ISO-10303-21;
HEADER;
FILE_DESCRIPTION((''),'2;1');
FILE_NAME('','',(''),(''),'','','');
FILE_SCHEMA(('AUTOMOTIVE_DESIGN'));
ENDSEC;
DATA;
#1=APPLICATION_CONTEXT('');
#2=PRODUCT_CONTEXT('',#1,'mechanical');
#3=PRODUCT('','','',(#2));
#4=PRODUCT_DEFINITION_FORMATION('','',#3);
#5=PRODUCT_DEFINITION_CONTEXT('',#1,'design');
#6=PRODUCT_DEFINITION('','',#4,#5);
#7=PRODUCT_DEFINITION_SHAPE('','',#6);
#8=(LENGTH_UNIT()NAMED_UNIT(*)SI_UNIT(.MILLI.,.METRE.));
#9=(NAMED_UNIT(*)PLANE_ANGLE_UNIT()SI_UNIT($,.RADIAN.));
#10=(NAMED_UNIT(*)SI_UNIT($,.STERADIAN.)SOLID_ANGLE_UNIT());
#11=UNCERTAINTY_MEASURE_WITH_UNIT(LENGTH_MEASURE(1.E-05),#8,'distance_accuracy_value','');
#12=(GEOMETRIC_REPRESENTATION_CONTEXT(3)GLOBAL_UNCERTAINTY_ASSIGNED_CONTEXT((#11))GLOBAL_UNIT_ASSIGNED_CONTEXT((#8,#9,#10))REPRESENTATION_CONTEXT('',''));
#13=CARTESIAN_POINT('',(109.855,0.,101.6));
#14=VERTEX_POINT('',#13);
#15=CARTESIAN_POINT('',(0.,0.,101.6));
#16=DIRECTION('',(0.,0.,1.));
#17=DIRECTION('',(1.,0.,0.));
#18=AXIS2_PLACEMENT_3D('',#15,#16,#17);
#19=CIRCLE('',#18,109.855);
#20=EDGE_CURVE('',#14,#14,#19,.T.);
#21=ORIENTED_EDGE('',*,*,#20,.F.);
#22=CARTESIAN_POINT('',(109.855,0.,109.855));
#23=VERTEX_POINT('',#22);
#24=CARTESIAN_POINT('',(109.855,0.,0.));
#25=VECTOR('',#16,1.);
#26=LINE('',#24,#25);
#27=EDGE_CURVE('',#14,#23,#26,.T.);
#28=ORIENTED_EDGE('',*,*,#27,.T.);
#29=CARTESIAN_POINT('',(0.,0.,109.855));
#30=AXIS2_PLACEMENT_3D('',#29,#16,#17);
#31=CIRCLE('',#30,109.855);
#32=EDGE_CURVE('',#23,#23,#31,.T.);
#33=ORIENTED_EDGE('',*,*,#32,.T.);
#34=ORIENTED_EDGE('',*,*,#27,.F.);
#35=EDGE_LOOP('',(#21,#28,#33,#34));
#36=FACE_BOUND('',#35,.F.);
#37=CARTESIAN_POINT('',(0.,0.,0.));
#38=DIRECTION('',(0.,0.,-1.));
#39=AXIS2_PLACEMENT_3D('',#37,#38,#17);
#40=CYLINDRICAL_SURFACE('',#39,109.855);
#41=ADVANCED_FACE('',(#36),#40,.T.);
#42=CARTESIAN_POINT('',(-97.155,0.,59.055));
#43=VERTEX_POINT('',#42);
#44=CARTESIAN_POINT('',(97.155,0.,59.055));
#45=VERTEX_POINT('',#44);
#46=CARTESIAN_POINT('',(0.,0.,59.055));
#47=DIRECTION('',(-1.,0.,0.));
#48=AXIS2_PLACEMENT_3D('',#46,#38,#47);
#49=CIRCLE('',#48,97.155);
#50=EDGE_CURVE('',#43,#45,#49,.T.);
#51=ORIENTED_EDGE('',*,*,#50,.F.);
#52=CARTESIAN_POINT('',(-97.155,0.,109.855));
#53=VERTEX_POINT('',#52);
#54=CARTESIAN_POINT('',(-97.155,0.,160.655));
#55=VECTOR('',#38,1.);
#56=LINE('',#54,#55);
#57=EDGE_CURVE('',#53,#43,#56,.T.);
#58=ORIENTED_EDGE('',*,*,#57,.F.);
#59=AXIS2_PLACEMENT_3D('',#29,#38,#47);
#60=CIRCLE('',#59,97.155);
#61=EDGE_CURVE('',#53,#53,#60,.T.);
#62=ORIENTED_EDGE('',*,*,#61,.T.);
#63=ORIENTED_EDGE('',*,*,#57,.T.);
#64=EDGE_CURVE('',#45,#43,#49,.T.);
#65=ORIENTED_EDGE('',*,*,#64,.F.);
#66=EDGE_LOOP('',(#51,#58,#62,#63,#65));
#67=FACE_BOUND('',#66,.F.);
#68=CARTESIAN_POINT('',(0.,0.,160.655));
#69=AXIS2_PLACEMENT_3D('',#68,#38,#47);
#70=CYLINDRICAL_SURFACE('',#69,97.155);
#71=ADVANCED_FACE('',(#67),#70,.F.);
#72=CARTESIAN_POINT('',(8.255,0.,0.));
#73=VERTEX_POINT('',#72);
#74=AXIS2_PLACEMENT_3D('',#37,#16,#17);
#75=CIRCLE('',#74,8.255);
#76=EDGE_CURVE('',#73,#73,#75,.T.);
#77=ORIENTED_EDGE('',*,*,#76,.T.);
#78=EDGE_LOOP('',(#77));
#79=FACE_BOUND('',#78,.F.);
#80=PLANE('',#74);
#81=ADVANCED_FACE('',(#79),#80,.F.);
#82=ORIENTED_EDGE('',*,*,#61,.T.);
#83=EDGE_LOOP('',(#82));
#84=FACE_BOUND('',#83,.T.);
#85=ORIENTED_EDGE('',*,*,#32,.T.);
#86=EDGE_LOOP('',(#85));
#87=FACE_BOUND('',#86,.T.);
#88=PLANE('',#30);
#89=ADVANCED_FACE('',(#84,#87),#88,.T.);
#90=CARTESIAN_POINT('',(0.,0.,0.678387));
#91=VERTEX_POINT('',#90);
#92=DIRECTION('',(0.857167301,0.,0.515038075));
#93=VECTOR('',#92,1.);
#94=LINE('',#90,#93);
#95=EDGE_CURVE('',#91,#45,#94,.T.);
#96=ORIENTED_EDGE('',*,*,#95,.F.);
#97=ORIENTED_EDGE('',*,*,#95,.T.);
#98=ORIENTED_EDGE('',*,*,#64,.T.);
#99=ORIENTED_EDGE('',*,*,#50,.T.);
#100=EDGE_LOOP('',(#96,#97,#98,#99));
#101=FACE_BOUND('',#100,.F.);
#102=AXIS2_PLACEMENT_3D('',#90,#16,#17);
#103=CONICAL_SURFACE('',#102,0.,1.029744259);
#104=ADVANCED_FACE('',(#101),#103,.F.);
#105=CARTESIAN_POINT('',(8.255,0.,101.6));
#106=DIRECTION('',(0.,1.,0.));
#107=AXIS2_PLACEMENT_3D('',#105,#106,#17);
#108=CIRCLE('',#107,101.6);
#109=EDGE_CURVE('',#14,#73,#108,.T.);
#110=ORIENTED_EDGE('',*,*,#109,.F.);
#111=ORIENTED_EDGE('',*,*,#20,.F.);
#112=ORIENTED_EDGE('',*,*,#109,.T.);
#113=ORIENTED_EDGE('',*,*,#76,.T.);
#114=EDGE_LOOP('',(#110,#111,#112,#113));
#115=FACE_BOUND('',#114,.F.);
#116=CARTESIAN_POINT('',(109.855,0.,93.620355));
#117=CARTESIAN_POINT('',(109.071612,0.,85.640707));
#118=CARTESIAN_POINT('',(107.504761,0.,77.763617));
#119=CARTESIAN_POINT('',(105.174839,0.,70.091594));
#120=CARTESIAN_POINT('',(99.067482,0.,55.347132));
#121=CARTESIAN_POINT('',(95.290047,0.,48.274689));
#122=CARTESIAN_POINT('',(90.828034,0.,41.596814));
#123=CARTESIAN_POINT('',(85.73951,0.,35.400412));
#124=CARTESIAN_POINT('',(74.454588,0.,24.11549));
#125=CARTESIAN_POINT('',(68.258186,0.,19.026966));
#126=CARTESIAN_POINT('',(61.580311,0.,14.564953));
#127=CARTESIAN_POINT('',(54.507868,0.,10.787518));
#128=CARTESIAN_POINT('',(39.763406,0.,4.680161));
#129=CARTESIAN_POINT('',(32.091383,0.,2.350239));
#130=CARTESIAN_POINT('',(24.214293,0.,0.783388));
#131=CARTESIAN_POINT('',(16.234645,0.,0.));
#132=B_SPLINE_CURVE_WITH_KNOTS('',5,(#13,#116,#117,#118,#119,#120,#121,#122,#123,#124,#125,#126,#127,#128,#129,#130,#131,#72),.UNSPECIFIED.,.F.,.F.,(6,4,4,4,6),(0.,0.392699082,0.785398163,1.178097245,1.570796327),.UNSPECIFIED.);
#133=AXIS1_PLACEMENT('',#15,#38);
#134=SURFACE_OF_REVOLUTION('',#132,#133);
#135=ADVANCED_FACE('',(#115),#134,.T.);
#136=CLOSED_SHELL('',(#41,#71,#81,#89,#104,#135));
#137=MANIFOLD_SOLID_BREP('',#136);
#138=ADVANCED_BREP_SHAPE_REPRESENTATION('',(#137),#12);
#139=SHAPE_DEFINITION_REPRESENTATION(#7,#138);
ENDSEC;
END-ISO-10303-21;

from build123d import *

# Parameters (mm, degrees)
F0_R     = 109.855
F1_DEPTH = 109.855
F3_D     = 194.31
F3_DEPTH = 50.8
F3_TIP   = 58.3766134416
F4_R     = 101.6


with BuildPart() as f1:
    # F0 (on Top) → F1 (new body)
    with BuildSketch(Plane.XY):
        Circle(F0_R)
    extrude(amount=F1_DEPTH)

    # F3
    with Locations(Plane.XY.offset(109.855)):
        with Locations((0, 0)):
            Hole(F3_D / 2, depth=F3_DEPTH)
            with Locations((0, 0, -(F3_DEPTH + F3_TIP / 2))):  # 118° drill point
                Cone(0, F3_D / 2, F3_TIP, mode=Mode.SUBTRACT)

    # F4
    f4_edges = [f1.edges().sort_by_distance(p)[0] for p in [
        (-109.855, 0, 0),
    ]]
    fillet(f4_edges, radius=F4_R)


solid = f1.part
